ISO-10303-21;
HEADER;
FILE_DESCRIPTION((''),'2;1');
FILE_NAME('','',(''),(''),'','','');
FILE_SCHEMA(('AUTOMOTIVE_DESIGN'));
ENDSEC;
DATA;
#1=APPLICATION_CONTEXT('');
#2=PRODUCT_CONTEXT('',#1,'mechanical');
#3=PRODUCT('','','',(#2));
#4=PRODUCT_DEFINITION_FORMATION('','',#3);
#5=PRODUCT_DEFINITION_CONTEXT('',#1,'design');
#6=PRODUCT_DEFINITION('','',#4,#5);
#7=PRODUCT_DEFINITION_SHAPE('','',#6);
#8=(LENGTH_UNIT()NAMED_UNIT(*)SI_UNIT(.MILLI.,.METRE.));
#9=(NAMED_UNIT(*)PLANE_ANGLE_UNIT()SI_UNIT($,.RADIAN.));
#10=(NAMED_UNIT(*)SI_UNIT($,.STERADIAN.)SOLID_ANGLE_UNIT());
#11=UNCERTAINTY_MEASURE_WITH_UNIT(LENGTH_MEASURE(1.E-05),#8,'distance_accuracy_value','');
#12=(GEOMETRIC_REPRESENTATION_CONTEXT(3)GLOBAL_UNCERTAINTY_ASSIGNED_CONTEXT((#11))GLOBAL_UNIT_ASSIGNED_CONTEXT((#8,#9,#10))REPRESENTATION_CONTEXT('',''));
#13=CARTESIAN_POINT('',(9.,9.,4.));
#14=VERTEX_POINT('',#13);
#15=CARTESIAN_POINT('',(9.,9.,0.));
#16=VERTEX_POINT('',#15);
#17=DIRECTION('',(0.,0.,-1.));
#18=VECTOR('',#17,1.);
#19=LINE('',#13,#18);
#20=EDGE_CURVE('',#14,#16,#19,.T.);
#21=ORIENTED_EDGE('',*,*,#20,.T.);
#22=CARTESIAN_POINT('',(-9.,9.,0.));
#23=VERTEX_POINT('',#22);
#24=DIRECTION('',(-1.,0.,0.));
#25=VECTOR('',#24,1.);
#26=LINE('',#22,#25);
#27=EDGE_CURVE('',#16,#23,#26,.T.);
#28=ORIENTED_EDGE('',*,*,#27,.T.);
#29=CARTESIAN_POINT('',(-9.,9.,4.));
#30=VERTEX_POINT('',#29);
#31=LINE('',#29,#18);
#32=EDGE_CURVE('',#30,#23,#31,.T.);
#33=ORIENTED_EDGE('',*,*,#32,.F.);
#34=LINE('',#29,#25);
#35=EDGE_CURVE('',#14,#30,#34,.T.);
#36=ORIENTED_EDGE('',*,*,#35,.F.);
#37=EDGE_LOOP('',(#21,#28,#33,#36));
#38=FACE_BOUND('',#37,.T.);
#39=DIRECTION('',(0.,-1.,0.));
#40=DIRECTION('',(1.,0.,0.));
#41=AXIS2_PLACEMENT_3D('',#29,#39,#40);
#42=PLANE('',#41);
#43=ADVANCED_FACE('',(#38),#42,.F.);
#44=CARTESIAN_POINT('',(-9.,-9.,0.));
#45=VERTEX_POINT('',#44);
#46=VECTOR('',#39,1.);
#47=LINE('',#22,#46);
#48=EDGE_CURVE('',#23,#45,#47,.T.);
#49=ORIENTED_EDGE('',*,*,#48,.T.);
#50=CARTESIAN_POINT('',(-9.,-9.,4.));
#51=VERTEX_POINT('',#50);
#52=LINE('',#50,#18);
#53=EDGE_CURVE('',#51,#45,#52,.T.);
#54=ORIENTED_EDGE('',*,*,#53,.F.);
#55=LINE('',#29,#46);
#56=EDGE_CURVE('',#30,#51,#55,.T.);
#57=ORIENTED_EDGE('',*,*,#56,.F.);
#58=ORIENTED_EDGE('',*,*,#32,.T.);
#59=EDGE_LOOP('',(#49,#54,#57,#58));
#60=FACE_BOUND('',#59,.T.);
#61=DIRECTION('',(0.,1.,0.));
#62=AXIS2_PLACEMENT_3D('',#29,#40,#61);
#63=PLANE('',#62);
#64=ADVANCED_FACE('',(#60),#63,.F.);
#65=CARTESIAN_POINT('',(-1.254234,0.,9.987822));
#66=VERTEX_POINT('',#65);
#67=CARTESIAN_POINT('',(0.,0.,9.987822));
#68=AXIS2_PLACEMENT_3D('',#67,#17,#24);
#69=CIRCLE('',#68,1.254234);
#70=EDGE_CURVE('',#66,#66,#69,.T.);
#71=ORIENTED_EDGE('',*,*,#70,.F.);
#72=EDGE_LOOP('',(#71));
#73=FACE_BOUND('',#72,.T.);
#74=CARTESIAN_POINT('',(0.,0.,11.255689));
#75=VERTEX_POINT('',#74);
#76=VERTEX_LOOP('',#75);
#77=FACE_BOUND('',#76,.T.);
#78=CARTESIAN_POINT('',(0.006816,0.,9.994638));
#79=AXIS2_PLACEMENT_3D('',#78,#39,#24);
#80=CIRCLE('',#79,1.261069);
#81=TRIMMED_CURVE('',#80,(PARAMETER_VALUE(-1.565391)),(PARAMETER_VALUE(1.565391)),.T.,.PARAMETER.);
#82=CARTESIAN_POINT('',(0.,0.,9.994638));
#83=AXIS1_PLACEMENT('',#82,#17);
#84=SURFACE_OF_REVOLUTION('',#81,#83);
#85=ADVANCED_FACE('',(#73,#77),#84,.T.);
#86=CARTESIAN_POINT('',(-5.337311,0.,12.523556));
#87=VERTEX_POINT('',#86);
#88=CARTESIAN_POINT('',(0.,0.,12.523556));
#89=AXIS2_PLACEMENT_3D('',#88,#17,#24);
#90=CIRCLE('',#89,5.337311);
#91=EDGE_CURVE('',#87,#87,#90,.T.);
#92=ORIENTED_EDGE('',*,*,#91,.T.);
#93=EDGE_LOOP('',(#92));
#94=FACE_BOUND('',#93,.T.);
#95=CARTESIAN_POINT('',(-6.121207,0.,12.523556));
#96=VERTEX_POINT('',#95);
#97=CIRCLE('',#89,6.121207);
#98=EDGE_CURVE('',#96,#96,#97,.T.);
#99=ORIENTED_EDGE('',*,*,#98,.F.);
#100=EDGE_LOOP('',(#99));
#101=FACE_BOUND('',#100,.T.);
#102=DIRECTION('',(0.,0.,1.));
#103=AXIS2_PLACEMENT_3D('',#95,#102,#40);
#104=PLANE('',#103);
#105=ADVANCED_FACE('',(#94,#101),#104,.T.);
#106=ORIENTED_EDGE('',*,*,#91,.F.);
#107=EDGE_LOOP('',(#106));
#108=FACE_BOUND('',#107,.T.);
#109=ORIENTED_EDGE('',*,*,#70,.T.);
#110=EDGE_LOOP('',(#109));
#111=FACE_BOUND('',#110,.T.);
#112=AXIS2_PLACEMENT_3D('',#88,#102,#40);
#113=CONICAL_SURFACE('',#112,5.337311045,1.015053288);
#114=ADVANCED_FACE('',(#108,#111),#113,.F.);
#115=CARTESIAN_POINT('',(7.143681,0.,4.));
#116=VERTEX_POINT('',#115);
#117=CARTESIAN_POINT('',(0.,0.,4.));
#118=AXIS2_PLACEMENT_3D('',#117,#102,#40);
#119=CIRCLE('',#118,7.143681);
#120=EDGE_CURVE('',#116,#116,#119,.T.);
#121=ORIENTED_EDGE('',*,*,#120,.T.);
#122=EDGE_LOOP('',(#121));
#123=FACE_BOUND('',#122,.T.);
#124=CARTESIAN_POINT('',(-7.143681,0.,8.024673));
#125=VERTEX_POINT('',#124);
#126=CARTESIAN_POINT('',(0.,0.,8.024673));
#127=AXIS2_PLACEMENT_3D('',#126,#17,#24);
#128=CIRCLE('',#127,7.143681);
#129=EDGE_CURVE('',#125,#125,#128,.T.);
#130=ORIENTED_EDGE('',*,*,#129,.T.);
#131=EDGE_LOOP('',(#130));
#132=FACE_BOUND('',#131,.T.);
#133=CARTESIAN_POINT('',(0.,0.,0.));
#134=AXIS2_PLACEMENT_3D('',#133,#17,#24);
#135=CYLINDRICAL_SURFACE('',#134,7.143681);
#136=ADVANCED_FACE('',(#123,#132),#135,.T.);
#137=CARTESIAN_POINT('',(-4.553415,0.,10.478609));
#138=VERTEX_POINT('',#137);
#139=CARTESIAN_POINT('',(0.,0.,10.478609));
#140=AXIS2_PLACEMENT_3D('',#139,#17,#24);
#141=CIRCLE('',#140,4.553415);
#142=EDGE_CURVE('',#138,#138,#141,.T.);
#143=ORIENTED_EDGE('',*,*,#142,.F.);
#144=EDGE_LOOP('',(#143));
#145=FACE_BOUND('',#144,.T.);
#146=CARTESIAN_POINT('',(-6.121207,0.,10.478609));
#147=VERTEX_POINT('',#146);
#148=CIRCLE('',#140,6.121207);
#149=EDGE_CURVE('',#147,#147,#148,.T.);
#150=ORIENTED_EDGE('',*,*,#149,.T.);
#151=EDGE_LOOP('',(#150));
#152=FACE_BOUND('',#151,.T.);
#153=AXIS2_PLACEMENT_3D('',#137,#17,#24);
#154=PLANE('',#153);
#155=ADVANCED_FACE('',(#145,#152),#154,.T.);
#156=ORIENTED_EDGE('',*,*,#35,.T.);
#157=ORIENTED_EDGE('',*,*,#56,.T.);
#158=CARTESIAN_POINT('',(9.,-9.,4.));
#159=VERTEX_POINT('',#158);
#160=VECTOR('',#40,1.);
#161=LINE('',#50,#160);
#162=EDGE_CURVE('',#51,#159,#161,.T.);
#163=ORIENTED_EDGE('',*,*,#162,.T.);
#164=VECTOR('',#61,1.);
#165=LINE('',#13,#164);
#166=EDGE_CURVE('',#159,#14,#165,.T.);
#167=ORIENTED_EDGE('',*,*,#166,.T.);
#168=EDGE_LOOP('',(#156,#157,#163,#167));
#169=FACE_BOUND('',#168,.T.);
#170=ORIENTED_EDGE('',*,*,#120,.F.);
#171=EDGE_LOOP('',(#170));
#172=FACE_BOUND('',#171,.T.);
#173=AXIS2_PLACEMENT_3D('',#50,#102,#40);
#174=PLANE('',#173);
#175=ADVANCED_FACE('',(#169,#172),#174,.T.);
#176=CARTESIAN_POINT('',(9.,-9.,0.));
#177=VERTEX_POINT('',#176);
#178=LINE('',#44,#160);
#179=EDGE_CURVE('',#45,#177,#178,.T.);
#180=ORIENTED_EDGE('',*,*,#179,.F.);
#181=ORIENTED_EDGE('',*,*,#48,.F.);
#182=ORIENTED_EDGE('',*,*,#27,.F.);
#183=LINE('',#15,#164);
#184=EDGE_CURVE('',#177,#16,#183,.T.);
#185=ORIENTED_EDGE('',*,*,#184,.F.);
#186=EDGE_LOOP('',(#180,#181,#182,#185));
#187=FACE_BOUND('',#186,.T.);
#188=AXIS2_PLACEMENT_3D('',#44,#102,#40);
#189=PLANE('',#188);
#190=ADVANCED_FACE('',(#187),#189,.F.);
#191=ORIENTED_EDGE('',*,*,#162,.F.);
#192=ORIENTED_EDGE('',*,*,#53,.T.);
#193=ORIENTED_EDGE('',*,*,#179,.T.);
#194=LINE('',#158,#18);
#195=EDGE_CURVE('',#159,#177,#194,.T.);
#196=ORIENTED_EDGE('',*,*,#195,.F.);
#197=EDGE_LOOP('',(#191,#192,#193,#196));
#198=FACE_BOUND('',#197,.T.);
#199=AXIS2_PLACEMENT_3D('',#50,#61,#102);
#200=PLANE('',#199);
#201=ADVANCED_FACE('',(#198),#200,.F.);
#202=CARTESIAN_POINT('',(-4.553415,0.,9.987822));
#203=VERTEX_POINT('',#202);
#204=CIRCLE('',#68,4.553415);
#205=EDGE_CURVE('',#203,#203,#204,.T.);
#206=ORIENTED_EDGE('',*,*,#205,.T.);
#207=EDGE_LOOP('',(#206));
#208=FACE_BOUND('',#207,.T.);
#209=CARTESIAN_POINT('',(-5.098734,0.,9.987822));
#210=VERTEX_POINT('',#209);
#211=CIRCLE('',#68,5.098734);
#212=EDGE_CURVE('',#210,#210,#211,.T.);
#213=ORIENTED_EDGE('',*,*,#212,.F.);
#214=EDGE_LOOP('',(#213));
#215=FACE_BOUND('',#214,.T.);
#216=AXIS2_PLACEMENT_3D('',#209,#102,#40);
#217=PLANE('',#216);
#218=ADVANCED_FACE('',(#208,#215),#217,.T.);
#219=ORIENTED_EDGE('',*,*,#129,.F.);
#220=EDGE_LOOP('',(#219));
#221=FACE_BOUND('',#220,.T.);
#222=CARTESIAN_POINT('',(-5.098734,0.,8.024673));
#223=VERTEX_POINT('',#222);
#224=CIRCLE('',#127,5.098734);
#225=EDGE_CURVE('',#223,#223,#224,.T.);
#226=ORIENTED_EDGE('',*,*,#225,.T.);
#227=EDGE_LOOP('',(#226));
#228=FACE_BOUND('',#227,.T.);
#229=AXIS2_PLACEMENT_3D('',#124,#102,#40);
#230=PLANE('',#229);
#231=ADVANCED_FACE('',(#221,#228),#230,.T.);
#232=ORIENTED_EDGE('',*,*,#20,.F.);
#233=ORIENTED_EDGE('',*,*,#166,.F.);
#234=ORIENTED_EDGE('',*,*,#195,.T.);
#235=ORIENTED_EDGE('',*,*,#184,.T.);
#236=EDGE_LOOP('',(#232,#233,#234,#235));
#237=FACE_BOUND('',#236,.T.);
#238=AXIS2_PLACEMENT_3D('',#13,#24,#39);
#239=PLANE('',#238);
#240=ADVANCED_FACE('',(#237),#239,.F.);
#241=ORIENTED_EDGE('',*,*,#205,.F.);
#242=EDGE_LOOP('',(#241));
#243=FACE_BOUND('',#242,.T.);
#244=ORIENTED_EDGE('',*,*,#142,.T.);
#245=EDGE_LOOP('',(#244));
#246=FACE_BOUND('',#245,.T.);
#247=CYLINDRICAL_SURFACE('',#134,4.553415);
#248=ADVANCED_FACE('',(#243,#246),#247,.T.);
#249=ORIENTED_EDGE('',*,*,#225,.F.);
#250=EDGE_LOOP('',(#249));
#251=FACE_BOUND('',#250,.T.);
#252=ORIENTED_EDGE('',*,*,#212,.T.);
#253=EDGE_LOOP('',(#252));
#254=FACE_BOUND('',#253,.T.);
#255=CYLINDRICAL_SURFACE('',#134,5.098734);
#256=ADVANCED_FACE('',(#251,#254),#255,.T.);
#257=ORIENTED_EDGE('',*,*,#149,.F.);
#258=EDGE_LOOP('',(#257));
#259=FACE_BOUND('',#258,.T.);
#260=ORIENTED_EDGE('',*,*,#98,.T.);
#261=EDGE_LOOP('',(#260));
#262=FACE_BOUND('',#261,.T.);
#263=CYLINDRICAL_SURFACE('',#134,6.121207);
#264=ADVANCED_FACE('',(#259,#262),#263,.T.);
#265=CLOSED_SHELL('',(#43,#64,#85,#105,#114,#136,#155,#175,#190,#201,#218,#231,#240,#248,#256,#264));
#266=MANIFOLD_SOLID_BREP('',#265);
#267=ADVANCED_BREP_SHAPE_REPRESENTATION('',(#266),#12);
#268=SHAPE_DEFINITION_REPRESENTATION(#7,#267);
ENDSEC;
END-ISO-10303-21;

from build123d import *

# Parameters (mm, degrees)
ESQUISSE1_W      = 18
ESQUISSE1_H      = 18
EXTRUSION1_DEPTH = 4


with BuildPart() as part:
    # Esquisse1 → Extrusion1 (new body)
    with BuildSketch(Plane.XY):
        Rectangle(ESQUISSE1_W, ESQUISSE1_H)
    extrude(amount=EXTRUSION1_DEPTH)

    # Esquisse2 → Révolution1 (revolve)
    with BuildSketch(Plane(origin=(0, 0, 0), x_dir=(1, 0, 0), z_dir=(0, 1, 0))):
        with BuildLine():
            Line((0, -4), (-7.143680684, -4))
            Line((-7.143680684, -4), (-7.143680684, -8.024672755))
            Line((-7.143680684, -8.024672755), (-5.098733923, -8.024672755))
            Line((-5.098733923, -8.024672755), (-5.098733923, -9.987821645))
            Line((-5.098733923, -9.987821645), (-4.553414787, -9.987821645))
            Line((-4.553414787, -9.987821645), (-4.553414787, -10.478608868))
            Line((-4.553414787, -10.478608868), (-6.121207304, -10.478608868))
            Line((-6.121207304, -10.478608868), (-6.121207304, -12.523555628))
            Line((-6.121207304, -12.523555628), (-5.337311045, -12.523555628))
            Line((-5.337311045, -12.523555628), (-1.254234013, -9.987821645))
            ThreePointArc((-1.254234013, -9.987821645), (-0.889700858, -10.88151551), (0, -11.255688637))
            Line((0, -11.255688637), (0, -4))
        make_face()
    revolve(axis=Axis((0, 0, 0), (0, 0, 1)))


solid = part.part
